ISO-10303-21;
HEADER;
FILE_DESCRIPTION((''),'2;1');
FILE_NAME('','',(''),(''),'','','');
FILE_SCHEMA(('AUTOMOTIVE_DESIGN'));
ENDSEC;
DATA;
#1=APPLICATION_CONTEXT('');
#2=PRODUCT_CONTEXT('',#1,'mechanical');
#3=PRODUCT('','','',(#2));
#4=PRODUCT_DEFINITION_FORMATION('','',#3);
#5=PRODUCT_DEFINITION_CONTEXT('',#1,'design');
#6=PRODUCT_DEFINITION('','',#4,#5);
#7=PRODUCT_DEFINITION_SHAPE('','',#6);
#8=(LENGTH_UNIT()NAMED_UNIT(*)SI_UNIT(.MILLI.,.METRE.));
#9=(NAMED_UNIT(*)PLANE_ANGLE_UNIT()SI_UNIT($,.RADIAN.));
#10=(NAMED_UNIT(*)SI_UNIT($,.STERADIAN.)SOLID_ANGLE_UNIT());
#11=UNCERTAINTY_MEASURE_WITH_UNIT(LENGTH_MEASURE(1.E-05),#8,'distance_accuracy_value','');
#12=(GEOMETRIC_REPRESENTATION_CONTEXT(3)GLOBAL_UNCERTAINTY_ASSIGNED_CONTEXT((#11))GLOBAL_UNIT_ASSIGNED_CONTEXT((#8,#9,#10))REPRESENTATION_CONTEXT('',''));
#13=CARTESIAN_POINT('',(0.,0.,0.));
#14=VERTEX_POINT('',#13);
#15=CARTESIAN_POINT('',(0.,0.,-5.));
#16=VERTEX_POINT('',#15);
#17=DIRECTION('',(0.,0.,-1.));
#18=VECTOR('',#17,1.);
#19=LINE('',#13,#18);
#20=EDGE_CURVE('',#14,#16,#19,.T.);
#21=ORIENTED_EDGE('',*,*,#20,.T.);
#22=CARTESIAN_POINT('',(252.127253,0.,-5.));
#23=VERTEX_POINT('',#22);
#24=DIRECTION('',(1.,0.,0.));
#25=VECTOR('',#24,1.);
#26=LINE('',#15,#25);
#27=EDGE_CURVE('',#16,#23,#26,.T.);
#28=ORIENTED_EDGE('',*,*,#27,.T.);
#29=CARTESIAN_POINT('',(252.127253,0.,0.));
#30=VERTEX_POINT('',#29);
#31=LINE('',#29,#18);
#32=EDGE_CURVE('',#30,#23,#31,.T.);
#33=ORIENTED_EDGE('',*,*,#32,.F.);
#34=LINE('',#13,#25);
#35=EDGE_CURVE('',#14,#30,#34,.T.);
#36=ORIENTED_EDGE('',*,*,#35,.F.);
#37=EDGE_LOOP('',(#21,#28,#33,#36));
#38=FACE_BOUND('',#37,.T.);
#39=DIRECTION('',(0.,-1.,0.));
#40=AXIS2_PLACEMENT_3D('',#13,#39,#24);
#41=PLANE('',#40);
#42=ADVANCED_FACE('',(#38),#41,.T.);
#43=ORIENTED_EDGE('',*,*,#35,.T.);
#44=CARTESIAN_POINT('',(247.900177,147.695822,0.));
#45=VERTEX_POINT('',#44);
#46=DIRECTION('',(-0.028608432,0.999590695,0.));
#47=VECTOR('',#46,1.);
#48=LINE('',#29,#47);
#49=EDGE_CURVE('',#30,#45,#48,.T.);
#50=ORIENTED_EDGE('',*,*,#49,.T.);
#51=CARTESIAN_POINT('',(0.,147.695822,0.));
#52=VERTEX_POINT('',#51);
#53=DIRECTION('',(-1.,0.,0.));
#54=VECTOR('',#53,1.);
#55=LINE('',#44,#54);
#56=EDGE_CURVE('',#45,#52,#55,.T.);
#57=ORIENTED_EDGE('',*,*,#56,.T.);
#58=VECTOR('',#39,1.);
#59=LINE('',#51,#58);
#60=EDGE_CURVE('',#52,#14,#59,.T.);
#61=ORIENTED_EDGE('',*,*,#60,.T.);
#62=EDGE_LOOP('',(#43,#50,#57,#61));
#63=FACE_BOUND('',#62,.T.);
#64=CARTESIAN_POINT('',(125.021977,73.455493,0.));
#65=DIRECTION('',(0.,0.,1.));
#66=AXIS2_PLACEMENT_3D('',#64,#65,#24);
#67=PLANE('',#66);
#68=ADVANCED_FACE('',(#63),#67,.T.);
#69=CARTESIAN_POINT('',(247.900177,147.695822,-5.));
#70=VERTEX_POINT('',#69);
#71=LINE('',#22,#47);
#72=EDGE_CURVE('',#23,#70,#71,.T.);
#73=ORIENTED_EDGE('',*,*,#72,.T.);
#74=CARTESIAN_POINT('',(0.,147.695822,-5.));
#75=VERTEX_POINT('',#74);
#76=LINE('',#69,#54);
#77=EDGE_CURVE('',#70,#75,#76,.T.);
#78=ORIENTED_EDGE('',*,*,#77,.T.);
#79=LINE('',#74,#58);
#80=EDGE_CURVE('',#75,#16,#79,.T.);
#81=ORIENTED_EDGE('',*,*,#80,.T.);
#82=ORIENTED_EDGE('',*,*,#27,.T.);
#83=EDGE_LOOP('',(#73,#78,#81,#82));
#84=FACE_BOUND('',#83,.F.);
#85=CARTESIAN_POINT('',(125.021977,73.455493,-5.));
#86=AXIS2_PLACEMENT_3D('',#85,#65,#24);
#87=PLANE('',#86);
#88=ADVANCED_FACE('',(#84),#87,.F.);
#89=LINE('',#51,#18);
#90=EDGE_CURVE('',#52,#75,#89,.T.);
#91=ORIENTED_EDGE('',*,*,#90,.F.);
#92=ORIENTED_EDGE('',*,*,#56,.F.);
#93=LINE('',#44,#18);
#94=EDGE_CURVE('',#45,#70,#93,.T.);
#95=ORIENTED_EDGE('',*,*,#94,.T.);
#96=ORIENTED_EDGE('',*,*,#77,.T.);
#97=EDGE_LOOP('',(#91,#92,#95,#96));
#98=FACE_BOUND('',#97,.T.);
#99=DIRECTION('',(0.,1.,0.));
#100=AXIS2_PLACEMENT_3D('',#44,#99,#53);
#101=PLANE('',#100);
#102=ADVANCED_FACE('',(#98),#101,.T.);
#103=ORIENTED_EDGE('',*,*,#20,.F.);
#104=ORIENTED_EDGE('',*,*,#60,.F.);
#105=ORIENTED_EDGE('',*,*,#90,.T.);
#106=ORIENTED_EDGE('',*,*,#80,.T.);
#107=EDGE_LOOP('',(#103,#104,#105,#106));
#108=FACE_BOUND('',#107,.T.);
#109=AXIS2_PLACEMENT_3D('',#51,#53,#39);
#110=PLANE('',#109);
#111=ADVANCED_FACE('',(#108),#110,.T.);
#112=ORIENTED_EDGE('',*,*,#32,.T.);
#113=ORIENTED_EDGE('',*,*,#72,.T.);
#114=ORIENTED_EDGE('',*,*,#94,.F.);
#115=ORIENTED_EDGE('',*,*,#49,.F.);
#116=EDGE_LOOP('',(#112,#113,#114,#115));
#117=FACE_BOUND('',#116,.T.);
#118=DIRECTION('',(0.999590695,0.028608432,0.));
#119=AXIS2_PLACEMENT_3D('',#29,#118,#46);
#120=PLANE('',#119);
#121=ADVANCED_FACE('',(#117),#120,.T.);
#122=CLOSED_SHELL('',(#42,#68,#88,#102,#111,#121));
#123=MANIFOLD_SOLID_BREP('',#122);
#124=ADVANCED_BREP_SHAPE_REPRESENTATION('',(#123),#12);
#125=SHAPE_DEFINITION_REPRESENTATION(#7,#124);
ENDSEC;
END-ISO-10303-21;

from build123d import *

# Parameters (mm, degrees)
PAD_DEPTH = 5


with BuildPart() as part:
    # Sketch → Pad (new body)
    with BuildSketch(Plane.XY):
        Polygon((0, 20.547499), (-247.900177, 20.547499), (-247.900177, -127.148323), (4.227076, -127.148323), align=None)
    extrude(amount=-PAD_DEPTH)


with BuildPart() as part_1:
    # Body placement: moved
    add(part.part.moved(Location((247.900177, 127.148323, 0))))


solid = part_1.part
